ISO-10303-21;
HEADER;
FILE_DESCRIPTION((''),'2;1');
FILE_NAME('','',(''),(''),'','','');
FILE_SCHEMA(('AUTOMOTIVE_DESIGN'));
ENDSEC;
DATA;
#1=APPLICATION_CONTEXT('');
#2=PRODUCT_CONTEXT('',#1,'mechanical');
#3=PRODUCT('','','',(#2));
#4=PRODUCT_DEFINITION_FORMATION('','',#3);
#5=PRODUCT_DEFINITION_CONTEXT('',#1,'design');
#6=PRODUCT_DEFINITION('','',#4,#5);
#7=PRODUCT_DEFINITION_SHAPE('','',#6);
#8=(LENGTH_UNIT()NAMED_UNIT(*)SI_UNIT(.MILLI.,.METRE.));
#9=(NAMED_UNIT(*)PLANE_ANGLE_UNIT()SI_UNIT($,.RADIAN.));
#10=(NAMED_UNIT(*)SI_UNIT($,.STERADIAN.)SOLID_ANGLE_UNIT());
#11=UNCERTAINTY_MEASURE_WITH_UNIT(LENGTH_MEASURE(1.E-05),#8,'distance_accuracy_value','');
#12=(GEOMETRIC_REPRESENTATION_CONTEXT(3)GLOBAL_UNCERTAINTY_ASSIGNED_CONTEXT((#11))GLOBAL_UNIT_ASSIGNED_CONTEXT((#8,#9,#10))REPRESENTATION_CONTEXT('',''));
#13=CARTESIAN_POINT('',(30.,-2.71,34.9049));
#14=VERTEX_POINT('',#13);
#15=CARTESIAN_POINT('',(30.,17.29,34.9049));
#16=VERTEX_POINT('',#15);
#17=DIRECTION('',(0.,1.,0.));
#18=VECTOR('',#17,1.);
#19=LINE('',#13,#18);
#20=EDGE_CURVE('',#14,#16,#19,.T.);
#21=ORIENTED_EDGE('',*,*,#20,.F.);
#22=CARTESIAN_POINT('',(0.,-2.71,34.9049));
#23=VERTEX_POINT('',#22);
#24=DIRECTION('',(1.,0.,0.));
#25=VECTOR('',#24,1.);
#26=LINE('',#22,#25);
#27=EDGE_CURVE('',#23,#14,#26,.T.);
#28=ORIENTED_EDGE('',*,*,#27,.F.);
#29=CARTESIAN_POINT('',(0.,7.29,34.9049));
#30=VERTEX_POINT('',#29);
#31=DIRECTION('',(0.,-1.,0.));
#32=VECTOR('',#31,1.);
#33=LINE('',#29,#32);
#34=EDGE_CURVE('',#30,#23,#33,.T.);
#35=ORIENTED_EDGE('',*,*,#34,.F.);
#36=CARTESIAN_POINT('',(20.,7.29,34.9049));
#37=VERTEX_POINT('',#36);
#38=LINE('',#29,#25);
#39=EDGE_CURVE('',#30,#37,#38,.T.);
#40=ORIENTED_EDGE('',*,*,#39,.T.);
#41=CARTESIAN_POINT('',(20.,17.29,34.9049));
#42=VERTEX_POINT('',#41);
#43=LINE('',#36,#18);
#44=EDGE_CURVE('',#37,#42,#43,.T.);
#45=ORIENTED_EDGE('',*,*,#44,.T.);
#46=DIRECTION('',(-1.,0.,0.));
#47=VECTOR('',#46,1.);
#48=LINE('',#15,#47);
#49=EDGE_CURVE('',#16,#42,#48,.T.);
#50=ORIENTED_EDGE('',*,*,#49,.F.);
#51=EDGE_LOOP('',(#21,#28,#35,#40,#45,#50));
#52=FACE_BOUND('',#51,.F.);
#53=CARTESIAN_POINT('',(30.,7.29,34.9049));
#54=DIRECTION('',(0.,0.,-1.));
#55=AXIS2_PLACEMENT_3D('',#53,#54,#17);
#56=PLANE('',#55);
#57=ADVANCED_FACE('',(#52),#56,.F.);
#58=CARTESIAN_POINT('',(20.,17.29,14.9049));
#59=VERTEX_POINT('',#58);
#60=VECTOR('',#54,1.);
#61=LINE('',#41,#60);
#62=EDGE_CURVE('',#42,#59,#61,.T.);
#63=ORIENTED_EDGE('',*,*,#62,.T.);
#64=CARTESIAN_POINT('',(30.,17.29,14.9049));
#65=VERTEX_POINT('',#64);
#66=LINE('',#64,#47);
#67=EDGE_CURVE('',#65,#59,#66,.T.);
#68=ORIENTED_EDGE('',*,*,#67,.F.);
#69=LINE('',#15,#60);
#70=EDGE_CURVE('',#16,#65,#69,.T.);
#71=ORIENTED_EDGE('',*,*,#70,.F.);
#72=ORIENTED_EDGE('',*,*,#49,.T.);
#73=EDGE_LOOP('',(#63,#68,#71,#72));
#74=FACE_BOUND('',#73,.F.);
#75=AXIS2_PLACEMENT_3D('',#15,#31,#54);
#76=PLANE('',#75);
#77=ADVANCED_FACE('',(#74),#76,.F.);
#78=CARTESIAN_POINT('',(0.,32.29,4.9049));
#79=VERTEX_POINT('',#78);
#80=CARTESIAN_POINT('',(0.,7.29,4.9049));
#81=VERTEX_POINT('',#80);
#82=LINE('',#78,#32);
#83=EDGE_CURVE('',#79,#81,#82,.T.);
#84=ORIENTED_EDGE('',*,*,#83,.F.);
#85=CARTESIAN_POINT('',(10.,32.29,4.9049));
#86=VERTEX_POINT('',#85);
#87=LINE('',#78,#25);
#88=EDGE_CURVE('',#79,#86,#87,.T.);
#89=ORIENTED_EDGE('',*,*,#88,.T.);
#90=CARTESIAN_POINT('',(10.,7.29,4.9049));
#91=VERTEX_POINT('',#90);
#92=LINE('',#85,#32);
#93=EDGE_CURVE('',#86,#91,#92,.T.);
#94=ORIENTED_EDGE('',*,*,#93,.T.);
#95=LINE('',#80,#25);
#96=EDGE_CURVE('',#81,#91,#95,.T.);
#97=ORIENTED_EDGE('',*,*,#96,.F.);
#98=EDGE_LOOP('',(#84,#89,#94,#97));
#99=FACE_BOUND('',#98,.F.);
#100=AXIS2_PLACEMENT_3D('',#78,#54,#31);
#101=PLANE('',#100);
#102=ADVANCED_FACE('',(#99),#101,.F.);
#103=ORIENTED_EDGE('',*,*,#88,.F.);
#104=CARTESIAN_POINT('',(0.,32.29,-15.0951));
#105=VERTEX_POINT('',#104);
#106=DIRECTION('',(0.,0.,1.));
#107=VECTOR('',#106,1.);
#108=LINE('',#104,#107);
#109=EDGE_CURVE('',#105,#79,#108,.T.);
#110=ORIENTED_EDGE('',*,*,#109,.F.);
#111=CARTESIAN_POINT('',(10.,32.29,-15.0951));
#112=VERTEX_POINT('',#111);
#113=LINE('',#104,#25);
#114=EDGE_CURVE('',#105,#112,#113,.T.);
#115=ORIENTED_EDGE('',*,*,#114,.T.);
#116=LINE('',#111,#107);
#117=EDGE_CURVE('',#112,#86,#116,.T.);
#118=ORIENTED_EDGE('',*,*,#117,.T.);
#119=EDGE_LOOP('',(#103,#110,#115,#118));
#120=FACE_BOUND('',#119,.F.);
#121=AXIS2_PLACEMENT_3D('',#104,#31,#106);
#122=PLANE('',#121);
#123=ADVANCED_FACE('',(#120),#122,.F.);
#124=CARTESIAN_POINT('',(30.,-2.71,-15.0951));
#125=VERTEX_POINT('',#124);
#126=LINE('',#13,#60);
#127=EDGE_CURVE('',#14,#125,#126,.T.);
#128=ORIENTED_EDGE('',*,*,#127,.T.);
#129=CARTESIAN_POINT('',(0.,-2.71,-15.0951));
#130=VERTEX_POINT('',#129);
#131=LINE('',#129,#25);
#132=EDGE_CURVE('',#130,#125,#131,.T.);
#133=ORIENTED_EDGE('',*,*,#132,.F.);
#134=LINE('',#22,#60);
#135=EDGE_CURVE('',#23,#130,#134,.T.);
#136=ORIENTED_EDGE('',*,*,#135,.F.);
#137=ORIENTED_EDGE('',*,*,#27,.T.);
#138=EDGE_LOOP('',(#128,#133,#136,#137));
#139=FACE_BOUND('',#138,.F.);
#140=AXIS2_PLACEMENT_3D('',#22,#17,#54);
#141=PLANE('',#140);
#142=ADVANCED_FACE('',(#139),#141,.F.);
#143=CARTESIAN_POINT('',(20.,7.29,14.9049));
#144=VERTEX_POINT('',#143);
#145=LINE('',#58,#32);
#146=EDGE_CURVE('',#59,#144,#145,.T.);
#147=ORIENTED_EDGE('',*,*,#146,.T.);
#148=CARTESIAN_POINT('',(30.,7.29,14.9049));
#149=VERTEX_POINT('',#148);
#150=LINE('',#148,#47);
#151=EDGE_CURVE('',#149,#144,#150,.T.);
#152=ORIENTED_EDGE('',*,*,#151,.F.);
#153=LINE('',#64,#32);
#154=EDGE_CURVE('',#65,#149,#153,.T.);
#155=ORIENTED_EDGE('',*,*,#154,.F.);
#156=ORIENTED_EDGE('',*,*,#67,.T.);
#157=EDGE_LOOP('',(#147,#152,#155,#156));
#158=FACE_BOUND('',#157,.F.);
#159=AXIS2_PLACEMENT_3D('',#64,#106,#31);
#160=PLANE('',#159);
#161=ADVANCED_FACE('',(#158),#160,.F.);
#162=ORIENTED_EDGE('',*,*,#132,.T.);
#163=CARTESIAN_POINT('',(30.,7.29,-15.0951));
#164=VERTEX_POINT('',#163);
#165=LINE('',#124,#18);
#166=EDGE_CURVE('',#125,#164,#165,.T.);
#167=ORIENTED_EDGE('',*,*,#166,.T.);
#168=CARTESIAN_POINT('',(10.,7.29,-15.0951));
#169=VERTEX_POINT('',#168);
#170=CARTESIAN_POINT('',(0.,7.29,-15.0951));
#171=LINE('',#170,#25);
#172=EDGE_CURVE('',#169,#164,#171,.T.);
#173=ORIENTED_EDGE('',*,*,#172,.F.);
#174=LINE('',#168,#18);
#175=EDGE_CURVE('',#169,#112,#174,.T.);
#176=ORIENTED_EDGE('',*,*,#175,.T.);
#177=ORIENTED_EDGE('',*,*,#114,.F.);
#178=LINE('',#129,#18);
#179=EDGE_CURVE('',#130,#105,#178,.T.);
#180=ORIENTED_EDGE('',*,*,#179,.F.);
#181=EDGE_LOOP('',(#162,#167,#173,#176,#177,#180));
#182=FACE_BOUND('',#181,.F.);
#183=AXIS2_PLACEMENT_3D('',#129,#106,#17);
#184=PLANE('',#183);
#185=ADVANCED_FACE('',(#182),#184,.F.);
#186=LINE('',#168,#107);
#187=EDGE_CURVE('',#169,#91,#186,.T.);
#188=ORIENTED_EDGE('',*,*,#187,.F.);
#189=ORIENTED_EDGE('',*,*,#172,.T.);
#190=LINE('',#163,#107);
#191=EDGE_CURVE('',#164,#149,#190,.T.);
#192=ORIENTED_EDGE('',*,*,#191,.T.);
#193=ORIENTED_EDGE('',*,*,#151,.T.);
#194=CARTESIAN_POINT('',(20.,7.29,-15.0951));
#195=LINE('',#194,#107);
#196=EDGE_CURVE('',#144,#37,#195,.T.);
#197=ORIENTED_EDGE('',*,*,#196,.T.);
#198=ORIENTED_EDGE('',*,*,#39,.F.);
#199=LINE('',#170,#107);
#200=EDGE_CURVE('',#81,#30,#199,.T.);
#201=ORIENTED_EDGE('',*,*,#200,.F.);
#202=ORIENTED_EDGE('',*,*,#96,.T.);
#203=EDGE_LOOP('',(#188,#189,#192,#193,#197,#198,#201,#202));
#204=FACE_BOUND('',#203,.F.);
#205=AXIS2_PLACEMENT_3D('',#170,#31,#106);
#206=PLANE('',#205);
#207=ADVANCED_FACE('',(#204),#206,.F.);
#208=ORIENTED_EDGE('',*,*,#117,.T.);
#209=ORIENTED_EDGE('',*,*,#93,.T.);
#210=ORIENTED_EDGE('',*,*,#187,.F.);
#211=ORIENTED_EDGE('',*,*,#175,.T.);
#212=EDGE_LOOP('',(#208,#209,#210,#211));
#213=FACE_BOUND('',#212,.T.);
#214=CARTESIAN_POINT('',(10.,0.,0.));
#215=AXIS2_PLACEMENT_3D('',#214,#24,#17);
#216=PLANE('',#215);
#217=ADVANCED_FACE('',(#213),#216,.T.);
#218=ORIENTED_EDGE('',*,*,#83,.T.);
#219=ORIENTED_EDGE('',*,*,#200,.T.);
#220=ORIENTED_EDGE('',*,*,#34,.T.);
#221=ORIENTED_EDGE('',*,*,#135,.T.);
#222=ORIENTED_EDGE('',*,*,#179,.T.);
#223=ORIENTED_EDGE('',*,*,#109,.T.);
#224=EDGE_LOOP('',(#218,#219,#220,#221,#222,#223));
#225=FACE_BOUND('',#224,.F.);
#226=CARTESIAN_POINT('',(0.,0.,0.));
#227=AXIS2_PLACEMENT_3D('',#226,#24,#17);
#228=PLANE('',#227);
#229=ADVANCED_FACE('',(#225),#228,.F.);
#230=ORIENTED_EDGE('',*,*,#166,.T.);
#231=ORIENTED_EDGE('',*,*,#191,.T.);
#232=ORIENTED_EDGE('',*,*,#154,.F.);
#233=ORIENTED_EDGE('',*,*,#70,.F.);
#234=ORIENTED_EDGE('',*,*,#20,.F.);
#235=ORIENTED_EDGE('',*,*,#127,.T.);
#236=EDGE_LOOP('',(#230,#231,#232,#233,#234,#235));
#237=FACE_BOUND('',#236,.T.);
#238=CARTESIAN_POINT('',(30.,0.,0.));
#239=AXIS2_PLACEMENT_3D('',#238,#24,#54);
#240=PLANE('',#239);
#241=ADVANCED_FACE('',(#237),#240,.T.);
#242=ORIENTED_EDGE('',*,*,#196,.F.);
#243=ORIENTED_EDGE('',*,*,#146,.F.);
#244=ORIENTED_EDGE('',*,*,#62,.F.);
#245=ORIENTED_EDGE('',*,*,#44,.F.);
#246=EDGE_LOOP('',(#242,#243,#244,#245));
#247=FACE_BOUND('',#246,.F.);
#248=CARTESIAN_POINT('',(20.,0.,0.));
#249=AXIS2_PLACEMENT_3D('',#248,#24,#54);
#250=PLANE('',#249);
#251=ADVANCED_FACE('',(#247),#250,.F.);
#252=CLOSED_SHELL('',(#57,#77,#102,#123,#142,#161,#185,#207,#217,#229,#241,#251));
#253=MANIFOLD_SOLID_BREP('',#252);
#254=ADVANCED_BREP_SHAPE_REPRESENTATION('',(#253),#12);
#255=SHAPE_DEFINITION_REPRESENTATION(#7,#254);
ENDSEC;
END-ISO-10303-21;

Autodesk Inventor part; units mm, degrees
ref_plane "YZ Plane" through (0, 0, 0) normal (1, 0, 0) x (0, 1, 0)
ref_plane "XZ Plane" through (0, 0, 0) normal (0, 1, 0) x (-1, 0, 0)
ref_plane "XY Plane" through (0, 0, 0) normal (0, 0, 1) x (1, 0, 0)
sketch "Sketch1" plane through (0, 0, 0) normal (1, 0, 0) x (0, 1, 0)
  line L0 (-2.71, -15.0951) -> (7.29, -15.0951)
  line L1 (7.29, -15.0951) -> (7.29, 34.9049)
  line L2 (7.29, 34.9049) -> (-2.71, 34.9049)
  line L3 (-2.71, 34.9049) -> (-2.71, -15.0951)
  point P0 (0, 0)
  dimension "d0" = 50
  dimension "d1" = 10
extrude "Extrusion1" add sketch "Sketch1" along normal blind 30
sketch "Sketch2" plane through (0, 0, 0) normal (1, 0, 0) x (0, 1, 0)
  line L0 (7.29, -15.0951) -> (7.29, 34.9049) projected
  line L1 (7.29, -15.0951) -> (32.29, -15.0951)
  line L2 (32.29, -15.0951) -> (32.29, 4.9049)
  line L3 (32.29, 4.9049) -> (7.29, 4.9049)
  point P0 (0, 0)
  dimension "d4" = 25
  dimension "d5" = 20
extrude "Extrusion2" add sketch "Sketch2" along normal blind 10
sketch "Sketch3" plane through (30, 0, 0) normal (1, 0, 0) x (0, 0, -1)
  line L0 (-34.9049, 7.29) -> (-34.9049, -2.71) projected
  line L1 (-34.9049, 7.29) -> (-34.9049, 17.29)
  line L2 (-34.9049, 17.29) -> (-14.9049, 17.29)
  line L3 (-14.9049, 17.29) -> (-14.9049, 7.29)
  line L4 (15.0951, 7.29) -> (-34.9049, 7.29) projected
  line L5 (-14.9049, 7.29) -> (-34.9049, 7.29)
  point P0 (0, 0)
  dimension "d8" = 20
  dimension "d9" = 10
extrude "Extrusion3" add sketch "Sketch3" against normal blind 10
properties part number "BT004_Formstück"
